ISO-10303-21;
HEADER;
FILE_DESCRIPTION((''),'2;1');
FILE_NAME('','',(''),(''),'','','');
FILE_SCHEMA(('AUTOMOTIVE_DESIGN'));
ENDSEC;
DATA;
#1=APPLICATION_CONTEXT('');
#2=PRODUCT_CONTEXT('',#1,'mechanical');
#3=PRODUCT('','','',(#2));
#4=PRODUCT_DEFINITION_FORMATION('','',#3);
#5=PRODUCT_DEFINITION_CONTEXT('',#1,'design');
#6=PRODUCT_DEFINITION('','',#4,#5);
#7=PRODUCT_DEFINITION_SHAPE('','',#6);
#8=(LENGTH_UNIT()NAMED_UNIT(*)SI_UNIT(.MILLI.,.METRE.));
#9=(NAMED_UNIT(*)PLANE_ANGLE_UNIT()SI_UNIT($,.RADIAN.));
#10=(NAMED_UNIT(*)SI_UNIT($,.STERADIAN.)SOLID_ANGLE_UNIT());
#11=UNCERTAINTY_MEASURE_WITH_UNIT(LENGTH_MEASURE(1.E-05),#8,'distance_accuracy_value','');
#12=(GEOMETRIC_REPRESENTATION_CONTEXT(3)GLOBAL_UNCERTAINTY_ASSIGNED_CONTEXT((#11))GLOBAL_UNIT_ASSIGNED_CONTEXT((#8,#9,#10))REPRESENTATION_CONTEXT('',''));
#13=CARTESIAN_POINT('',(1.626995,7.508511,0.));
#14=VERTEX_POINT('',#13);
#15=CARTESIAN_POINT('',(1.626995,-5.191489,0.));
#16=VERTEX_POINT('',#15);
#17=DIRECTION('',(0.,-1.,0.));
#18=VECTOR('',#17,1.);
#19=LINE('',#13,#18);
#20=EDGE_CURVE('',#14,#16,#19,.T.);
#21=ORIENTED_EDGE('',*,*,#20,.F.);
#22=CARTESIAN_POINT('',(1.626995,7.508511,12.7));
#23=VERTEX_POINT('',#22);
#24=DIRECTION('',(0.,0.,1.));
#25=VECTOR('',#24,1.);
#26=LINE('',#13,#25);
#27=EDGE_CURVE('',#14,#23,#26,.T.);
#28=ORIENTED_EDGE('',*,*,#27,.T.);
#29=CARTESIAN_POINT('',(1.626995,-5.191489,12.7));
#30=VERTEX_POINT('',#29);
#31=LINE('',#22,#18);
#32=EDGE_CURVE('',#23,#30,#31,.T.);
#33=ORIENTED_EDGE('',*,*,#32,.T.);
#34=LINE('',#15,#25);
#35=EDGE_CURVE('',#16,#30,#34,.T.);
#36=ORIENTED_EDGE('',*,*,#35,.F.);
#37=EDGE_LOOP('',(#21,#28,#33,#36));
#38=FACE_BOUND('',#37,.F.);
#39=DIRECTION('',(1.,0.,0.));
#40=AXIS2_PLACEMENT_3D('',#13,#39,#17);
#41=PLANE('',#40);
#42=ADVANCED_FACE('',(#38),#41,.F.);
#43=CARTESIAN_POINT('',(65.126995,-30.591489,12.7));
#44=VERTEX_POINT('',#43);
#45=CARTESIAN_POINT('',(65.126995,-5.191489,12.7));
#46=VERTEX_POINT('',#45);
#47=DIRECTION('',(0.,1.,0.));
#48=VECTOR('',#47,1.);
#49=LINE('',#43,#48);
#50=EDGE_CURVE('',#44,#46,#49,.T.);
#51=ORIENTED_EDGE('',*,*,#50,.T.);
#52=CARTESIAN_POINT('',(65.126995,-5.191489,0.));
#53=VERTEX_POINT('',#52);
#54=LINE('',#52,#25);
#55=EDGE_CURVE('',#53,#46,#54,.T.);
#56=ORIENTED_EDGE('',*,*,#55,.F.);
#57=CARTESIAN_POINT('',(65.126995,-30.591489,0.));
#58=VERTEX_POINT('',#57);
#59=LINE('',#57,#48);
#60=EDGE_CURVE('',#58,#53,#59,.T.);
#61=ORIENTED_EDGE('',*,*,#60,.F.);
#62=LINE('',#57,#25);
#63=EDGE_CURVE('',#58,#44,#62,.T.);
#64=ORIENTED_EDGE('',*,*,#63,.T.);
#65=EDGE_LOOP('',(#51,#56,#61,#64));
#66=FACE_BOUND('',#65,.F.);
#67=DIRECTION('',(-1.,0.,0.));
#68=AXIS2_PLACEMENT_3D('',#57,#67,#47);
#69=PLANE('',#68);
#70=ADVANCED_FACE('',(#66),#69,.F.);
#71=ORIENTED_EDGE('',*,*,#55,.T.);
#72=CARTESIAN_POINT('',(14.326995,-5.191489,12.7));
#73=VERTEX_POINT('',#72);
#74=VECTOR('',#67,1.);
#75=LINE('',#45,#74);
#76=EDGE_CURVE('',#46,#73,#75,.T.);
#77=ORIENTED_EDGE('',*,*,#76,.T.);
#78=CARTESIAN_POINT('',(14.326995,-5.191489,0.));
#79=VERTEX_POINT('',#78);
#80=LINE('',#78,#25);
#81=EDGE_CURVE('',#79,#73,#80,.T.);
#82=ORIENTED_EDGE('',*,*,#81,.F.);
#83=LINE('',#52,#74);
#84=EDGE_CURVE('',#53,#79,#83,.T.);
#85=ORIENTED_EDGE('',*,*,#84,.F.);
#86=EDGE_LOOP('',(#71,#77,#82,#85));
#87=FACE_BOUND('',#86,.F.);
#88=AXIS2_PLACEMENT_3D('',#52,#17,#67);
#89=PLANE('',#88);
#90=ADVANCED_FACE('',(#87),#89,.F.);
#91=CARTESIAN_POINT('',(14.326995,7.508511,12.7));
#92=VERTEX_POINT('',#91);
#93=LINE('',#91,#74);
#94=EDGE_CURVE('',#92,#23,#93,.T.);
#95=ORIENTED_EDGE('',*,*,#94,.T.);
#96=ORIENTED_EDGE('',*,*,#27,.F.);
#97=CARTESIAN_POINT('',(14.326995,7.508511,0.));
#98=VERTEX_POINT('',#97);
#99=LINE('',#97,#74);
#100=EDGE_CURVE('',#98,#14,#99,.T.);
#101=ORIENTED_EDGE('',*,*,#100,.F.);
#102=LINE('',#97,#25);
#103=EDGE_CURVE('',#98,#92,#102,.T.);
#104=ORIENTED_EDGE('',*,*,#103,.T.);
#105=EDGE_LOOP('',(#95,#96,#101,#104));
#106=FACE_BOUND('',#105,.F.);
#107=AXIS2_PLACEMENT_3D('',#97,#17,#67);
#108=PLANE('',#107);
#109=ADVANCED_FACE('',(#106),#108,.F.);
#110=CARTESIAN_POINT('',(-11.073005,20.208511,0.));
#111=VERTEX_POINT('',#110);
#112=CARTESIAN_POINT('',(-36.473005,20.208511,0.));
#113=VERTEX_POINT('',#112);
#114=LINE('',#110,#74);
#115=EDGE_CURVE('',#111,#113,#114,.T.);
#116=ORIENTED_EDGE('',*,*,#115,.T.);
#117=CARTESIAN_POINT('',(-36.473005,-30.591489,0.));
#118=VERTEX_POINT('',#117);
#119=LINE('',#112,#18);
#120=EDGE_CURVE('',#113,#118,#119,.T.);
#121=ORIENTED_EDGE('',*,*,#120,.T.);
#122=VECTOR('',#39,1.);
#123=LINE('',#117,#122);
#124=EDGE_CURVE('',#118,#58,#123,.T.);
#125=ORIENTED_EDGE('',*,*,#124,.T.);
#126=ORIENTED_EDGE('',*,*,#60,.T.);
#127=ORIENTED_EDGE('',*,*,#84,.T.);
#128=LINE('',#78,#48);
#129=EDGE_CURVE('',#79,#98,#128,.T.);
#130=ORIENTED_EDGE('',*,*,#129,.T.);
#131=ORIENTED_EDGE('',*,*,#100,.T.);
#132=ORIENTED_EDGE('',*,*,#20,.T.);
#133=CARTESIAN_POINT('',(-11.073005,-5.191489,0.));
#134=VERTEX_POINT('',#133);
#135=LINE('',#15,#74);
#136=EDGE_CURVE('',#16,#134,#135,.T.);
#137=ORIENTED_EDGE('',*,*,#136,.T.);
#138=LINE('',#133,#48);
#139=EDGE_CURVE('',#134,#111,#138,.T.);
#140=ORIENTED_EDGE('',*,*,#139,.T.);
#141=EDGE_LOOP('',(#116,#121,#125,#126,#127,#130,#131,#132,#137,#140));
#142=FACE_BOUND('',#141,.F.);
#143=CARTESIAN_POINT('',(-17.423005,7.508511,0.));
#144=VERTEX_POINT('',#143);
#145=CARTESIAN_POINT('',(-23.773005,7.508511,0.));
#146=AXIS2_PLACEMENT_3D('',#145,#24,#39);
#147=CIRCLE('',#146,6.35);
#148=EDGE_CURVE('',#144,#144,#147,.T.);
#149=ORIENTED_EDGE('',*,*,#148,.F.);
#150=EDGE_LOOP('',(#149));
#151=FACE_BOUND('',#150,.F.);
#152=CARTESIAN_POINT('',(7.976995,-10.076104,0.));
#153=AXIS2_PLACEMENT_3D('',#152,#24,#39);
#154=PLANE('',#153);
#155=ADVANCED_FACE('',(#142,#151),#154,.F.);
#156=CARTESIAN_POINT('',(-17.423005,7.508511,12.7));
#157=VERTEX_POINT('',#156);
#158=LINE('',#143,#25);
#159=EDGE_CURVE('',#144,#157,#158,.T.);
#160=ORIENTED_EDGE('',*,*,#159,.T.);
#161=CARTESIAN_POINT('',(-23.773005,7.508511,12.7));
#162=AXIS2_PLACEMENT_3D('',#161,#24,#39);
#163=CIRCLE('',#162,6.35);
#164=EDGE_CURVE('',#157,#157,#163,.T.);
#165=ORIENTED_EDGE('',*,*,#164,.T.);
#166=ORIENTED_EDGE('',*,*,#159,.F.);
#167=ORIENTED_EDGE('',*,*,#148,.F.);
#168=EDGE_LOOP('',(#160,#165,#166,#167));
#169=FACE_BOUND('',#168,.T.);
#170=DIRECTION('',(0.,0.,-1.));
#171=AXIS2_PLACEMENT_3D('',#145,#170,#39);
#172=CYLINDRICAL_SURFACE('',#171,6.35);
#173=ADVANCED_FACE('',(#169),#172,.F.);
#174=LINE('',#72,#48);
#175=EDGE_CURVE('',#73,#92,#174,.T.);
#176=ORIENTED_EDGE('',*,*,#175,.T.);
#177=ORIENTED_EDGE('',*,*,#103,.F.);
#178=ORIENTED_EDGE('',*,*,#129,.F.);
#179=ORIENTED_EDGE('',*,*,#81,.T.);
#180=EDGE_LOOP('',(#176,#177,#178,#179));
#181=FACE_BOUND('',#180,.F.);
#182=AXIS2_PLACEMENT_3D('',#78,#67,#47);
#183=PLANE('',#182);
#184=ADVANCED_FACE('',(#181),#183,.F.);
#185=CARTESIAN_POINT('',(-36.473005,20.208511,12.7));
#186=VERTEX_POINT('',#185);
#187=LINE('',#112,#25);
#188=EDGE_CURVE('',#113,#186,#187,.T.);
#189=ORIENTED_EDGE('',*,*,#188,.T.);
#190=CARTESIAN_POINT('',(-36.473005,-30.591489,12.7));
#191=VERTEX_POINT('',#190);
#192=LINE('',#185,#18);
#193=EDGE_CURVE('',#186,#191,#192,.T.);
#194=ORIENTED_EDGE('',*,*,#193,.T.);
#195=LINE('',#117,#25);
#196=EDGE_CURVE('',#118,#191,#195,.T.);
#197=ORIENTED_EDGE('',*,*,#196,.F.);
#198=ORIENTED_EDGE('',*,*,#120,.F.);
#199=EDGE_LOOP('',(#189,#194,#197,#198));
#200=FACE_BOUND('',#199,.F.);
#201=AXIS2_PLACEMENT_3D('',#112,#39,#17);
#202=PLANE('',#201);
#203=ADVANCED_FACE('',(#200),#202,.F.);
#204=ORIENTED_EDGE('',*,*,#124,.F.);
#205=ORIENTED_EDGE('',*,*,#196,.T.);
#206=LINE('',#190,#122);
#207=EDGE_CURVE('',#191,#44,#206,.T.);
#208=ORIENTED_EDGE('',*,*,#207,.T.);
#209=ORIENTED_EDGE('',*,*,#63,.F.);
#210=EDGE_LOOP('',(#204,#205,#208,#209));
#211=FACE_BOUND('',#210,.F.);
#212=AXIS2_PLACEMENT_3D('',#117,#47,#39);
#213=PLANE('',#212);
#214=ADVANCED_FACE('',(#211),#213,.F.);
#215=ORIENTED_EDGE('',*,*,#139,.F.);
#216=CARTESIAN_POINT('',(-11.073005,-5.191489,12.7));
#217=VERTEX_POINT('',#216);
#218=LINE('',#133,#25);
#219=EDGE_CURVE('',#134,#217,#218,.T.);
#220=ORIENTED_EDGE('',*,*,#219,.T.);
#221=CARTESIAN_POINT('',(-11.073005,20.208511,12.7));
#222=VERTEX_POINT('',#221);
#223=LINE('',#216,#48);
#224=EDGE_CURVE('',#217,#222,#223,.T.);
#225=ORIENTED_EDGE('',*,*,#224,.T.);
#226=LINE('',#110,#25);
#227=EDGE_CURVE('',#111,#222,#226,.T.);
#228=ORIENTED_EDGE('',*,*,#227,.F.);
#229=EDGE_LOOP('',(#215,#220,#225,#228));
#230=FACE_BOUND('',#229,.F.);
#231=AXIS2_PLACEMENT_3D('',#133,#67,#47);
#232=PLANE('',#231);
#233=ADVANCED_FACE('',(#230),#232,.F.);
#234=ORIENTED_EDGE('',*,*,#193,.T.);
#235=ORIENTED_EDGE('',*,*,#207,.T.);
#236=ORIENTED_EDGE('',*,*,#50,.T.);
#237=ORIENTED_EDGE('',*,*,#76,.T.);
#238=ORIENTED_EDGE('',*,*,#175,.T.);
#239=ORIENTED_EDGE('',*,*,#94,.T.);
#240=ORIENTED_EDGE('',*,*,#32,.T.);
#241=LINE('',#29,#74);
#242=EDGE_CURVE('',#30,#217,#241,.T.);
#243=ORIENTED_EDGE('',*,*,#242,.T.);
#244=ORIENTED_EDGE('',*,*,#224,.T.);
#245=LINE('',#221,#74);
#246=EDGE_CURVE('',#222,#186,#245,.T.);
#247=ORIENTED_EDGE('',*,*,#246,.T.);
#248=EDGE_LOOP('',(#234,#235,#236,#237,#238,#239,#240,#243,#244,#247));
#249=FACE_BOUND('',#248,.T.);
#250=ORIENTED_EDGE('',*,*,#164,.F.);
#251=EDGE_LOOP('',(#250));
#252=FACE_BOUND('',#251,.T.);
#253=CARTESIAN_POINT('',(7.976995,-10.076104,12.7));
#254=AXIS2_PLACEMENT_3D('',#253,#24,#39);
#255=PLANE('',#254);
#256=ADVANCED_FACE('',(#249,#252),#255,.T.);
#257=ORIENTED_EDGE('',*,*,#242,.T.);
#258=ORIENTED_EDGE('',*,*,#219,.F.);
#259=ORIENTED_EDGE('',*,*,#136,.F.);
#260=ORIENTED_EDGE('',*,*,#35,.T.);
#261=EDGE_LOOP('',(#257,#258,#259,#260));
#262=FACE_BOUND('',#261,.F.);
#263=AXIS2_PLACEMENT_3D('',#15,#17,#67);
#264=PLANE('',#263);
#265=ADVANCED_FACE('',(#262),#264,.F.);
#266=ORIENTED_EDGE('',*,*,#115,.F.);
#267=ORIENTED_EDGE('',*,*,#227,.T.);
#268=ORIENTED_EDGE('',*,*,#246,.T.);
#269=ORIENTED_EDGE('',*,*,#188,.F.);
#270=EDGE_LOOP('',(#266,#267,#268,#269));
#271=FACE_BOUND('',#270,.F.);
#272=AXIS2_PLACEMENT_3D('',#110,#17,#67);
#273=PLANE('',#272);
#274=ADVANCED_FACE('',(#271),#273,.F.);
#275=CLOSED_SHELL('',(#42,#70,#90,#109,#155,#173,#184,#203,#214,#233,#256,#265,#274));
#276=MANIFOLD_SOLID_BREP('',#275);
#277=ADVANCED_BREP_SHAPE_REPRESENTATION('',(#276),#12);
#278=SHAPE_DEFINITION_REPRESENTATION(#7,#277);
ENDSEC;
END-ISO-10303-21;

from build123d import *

# Parameters (mm, degrees)
F0_R     = 6.35
F1_DEPTH = 12.7


with BuildPart() as f1:
    # F0 (on Top) → F1 (new body)
    with BuildSketch(Plane.XY):
        Polygon((-11.073005, 20.208511), (-36.473005, 20.208511), (-36.473005, -30.591489), (65.126995, -30.591489), (65.126995, -5.191489), (14.326995, -5.191489), (14.326995, 7.508511), (1.626995, 7.508511), (1.626995, -5.191489), (-11.073005, -5.191489), align=None)
        with Locations((-23.773005, 7.508511)):
            Circle(F0_R, mode=Mode.SUBTRACT)
    extrude(amount=F1_DEPTH)


solid = f1.part
